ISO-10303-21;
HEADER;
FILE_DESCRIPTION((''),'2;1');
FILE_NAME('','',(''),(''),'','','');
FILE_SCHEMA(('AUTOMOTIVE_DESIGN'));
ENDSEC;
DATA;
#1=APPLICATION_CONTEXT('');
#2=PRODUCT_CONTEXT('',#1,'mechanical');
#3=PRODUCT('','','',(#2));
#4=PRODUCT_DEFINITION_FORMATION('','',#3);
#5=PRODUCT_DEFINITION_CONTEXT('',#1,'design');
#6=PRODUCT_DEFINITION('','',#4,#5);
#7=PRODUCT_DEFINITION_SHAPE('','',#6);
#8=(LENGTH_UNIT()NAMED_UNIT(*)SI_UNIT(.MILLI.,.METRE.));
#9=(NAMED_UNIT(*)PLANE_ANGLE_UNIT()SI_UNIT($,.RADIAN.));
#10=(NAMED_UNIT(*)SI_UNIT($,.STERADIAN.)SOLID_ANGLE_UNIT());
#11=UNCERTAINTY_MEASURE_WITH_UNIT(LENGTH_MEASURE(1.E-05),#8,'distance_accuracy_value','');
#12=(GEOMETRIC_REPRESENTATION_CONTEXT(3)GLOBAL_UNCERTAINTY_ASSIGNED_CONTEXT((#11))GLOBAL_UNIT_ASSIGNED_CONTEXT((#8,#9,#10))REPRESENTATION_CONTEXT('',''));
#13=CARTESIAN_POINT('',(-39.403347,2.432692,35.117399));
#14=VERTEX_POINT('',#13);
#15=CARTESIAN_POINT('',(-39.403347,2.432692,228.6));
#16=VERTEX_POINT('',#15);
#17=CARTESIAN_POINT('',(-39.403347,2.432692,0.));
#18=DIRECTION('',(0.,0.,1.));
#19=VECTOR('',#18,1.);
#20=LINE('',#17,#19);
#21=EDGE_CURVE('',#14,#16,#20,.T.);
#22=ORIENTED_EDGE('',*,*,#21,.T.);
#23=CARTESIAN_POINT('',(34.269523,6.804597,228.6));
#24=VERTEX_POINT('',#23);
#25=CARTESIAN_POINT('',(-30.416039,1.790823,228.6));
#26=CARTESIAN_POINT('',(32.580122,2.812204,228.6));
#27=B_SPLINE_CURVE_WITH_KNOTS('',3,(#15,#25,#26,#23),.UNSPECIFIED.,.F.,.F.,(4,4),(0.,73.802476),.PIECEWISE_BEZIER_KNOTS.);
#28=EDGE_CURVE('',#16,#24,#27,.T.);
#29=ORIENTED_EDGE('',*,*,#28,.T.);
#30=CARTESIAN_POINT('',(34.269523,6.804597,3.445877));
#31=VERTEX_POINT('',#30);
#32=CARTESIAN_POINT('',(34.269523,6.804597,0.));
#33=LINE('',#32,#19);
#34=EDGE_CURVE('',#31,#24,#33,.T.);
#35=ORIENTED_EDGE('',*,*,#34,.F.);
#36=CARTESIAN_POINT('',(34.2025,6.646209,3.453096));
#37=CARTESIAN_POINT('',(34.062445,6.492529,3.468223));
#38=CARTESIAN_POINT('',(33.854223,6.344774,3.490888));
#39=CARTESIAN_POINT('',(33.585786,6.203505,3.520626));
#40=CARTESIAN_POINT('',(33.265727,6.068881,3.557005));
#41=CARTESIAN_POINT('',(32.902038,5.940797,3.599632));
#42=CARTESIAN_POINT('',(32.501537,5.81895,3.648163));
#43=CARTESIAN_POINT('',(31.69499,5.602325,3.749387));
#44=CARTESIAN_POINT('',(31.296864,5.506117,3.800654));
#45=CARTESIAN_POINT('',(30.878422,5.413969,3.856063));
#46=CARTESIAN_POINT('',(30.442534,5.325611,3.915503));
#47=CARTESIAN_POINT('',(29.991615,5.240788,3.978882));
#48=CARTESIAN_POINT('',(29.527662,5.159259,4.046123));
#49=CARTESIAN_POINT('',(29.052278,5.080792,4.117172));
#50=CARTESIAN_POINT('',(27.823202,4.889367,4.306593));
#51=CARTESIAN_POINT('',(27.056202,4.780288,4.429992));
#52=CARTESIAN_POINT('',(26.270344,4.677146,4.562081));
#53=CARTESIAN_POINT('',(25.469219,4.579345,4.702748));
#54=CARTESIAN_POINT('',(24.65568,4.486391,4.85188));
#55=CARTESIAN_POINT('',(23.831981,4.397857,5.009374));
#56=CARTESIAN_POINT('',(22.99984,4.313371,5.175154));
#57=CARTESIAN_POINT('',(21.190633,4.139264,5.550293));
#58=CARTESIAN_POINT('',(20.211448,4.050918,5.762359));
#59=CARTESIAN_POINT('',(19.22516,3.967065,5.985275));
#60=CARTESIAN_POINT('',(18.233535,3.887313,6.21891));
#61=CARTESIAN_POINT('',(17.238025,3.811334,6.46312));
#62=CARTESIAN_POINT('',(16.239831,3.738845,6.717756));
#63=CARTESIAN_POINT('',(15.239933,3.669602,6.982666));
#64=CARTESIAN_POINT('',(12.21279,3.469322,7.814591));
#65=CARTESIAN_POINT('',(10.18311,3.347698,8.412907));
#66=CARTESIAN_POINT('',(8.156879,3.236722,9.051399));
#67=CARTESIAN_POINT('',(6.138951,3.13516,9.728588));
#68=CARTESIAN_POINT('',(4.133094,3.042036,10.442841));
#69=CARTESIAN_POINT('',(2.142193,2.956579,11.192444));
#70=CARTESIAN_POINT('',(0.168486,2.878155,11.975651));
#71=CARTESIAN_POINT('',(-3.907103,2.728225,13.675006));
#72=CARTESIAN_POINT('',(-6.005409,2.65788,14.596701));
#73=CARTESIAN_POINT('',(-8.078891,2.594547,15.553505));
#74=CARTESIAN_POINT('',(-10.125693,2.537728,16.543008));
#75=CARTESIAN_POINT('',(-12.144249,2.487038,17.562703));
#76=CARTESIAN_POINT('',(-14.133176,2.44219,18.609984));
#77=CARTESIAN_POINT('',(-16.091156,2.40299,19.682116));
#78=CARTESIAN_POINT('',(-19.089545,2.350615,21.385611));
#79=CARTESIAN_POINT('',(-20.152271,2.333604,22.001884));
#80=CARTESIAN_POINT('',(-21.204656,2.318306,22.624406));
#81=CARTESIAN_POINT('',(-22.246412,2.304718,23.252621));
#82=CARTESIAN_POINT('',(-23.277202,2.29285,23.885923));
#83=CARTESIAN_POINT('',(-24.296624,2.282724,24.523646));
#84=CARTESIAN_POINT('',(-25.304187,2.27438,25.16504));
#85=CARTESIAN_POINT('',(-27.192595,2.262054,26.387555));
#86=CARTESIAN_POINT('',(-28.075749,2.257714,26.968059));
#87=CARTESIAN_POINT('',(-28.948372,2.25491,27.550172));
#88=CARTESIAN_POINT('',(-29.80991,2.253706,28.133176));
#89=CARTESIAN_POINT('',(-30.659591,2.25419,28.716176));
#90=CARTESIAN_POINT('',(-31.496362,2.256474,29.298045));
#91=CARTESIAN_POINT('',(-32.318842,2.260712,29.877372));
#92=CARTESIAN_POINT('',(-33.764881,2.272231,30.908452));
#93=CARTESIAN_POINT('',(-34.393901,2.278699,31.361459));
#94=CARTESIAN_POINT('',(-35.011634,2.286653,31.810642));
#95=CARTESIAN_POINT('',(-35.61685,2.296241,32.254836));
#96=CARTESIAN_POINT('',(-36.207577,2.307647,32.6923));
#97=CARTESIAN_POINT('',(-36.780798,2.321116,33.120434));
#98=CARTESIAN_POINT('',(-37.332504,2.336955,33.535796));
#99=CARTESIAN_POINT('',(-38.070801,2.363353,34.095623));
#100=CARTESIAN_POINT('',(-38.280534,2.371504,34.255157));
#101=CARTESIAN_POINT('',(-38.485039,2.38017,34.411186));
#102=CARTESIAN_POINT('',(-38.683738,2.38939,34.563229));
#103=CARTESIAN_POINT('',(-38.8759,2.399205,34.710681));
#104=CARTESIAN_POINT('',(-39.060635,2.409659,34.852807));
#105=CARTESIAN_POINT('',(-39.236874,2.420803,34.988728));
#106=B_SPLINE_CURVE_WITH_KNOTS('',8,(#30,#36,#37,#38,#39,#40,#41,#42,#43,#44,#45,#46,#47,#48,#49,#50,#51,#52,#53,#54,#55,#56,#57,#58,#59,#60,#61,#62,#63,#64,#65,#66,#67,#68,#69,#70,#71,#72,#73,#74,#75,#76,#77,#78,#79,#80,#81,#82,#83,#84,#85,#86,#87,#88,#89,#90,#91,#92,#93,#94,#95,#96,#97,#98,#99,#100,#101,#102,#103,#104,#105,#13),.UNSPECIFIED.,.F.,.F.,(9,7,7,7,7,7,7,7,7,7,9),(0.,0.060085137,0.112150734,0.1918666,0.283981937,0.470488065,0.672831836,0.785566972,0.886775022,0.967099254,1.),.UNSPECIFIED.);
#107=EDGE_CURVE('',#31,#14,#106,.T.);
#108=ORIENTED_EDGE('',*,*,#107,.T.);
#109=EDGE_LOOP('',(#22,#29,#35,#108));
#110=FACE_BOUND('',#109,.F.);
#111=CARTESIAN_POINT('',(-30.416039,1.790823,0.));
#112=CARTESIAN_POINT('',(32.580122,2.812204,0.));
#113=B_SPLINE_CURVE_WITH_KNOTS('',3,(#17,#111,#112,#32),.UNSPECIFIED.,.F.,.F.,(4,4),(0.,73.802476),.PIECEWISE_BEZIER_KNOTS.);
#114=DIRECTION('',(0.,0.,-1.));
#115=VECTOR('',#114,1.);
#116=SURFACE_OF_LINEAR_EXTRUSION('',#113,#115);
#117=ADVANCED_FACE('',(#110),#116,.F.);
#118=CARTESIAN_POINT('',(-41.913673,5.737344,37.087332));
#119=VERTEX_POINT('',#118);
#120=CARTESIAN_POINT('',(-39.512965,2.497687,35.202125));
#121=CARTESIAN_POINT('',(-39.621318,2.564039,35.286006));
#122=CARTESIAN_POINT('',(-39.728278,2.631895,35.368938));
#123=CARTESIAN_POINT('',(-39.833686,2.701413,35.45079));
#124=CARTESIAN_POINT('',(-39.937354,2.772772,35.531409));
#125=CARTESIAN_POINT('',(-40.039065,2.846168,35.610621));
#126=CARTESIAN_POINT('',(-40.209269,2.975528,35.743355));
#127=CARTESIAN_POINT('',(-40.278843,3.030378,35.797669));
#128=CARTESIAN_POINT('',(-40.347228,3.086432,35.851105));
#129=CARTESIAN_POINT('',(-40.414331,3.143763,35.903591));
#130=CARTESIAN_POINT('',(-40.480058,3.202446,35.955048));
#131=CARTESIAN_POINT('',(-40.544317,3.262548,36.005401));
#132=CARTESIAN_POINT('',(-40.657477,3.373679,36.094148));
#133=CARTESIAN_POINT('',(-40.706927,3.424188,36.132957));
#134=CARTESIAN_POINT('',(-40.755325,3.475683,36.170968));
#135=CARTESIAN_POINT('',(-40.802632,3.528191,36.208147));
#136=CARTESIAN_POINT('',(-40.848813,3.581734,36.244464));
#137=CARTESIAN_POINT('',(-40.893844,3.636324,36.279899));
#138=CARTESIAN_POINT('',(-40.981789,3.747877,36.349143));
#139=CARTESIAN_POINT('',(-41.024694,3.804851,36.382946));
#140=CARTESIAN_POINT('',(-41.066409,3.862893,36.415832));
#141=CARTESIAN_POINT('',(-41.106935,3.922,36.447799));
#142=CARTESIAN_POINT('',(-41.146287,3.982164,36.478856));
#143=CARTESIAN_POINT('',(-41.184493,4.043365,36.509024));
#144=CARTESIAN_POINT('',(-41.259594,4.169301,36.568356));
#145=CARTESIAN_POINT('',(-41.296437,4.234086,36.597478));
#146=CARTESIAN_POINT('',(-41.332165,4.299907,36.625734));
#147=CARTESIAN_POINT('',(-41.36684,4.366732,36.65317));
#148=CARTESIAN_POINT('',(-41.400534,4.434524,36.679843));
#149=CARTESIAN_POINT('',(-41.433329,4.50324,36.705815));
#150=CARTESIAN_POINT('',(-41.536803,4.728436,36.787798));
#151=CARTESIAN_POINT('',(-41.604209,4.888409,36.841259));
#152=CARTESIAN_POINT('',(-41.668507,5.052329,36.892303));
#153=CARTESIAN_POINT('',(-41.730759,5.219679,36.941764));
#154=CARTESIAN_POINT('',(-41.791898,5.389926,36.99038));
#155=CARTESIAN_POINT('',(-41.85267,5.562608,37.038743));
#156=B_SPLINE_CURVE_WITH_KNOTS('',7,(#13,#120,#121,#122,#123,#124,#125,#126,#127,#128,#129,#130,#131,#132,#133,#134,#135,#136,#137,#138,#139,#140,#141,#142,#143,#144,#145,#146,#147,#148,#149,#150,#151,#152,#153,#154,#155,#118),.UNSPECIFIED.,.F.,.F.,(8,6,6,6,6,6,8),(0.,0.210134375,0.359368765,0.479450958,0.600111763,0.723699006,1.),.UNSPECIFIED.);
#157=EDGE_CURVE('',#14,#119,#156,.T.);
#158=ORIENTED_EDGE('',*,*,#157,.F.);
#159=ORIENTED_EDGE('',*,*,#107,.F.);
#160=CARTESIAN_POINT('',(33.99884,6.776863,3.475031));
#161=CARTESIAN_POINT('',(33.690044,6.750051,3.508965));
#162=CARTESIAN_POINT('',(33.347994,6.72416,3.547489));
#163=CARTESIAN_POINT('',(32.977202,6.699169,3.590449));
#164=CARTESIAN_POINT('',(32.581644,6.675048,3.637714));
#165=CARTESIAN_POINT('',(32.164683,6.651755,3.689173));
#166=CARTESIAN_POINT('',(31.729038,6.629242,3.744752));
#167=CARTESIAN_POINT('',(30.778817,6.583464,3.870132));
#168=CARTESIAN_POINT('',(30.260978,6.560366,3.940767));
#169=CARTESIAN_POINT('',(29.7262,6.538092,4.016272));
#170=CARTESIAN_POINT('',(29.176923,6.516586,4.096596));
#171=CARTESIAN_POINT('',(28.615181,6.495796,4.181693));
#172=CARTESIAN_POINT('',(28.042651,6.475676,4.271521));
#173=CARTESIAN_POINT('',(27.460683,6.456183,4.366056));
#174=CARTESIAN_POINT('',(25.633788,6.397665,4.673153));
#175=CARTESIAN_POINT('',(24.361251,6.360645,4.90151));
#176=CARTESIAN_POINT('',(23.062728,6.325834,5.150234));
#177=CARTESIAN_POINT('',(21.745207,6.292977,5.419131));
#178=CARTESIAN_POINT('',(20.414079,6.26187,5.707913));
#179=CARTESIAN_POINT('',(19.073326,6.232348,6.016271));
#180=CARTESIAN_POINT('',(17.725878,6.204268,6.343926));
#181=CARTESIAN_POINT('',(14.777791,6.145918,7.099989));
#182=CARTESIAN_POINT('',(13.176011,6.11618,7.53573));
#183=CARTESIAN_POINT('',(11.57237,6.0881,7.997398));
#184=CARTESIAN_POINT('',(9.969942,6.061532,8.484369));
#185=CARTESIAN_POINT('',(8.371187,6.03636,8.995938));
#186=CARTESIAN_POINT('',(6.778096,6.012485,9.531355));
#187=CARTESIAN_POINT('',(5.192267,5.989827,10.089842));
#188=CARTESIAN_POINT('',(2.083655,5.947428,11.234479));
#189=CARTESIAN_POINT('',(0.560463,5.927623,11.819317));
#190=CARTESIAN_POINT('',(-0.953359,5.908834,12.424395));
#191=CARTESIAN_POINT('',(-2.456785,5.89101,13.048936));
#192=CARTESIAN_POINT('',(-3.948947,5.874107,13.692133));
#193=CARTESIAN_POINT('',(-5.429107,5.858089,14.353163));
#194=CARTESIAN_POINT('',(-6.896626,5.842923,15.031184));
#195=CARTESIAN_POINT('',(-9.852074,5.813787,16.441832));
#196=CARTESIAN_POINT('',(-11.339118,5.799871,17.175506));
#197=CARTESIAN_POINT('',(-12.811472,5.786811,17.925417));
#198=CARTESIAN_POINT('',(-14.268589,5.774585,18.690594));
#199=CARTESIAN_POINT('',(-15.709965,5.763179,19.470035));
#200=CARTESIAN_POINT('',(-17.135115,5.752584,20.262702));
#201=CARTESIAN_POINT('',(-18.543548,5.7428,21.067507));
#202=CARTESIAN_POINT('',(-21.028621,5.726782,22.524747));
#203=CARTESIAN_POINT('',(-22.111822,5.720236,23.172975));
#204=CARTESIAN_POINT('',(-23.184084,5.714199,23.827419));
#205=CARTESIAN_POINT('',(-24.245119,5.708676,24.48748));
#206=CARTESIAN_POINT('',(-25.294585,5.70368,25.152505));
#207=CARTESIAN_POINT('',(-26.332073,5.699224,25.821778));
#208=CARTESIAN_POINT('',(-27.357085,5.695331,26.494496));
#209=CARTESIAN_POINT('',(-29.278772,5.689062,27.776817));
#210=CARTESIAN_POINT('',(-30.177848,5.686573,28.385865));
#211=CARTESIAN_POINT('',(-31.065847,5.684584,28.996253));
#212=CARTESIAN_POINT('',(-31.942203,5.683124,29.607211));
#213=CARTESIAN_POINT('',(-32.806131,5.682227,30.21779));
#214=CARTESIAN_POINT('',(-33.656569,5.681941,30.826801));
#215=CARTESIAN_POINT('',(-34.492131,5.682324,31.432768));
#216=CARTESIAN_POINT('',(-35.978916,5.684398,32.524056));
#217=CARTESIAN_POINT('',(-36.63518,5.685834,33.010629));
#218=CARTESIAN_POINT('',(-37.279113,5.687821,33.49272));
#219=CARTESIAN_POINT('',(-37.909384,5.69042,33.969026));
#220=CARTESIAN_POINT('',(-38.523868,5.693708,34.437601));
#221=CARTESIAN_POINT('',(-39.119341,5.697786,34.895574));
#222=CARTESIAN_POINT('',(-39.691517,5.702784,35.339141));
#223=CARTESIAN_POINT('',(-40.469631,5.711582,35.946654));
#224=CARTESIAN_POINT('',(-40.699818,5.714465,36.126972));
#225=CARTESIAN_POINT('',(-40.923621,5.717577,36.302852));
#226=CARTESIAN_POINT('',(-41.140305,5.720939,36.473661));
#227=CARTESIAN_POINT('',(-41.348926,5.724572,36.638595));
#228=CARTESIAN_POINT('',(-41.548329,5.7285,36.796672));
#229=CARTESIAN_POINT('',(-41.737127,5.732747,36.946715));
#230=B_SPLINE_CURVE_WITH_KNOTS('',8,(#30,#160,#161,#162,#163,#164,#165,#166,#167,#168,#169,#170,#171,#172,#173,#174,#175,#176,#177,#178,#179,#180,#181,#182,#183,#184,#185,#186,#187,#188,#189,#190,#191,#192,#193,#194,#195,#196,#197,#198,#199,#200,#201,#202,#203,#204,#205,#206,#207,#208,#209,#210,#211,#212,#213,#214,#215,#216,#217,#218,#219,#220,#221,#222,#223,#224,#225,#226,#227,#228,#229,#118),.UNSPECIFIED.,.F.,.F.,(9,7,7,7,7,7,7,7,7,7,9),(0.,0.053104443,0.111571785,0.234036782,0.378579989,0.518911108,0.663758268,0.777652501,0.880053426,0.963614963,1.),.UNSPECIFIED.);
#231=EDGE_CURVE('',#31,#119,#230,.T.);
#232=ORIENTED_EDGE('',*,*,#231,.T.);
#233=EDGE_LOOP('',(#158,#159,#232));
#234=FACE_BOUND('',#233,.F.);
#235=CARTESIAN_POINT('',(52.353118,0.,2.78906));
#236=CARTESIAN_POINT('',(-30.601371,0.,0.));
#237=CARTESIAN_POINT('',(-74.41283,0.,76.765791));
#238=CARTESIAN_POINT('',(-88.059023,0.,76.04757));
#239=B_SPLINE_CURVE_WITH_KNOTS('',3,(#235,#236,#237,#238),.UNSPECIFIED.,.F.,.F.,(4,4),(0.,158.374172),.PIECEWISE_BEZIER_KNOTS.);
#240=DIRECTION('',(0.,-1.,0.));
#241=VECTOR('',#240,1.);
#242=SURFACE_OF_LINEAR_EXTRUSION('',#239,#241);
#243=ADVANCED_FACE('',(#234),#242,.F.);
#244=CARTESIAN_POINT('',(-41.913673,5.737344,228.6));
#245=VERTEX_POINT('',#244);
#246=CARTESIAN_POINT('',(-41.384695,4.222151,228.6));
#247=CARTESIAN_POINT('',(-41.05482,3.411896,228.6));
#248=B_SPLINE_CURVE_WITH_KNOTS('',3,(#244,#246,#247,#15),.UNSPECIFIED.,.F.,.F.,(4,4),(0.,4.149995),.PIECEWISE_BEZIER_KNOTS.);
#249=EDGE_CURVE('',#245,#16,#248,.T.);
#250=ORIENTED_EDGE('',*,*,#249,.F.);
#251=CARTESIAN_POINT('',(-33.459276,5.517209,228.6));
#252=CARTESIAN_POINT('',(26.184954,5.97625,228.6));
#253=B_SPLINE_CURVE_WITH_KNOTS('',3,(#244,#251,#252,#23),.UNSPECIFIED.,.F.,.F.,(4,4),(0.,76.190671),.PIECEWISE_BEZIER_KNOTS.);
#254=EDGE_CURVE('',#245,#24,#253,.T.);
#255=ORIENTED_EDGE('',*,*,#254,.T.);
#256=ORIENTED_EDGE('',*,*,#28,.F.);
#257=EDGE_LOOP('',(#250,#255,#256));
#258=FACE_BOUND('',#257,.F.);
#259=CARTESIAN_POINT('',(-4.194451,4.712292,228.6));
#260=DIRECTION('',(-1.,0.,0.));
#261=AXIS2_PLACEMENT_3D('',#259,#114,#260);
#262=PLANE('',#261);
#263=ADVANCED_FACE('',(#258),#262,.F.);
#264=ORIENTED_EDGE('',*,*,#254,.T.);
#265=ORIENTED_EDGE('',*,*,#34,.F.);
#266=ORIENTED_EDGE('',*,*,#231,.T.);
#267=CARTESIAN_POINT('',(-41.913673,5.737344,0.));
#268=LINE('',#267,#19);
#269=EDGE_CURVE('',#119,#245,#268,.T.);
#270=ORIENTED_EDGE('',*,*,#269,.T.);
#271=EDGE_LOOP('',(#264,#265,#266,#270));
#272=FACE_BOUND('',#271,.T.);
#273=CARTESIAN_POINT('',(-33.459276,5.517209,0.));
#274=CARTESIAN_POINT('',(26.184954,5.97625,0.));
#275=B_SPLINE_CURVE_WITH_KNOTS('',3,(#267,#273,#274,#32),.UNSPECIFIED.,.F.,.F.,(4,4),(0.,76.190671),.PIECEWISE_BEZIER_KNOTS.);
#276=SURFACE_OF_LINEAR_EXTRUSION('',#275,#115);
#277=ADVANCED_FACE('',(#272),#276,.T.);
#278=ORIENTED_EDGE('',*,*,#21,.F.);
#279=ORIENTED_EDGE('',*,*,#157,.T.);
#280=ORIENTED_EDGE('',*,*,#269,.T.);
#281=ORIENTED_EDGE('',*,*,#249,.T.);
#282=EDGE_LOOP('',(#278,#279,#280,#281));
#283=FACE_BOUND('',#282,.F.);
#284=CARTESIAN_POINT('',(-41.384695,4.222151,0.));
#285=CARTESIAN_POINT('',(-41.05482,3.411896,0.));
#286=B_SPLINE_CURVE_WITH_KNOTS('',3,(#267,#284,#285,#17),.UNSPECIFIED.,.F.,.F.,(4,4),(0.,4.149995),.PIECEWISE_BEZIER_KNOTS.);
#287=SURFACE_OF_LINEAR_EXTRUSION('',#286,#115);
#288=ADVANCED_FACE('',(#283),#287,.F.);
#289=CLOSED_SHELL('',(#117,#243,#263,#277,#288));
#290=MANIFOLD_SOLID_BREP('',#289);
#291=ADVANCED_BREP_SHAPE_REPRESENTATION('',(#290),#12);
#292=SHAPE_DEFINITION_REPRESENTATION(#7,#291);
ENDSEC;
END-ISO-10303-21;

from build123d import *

# Parameters (mm, degrees)
F1_DEPTH = 228.6
F3_DEPTH = 18.288


with BuildPart() as f1:
    # F0 (on Top) → F1 (new body)
    with BuildSketch(Plane.XY):
        with BuildLine():
            add(Edge.make_bspline(
                [(-41.913673, 5.737344), (-33.459276, 5.517209), (26.184954, 5.97625), (34.269523, 6.804597)],
                knots=[0, 0, 0, 0, 76.190671, 76.190671, 76.190671, 76.190671], degree=3))
            add(Edge.make_bspline(
                [(-41.913673, 5.737344), (-41.384695, 4.222151), (-41.05482, 3.411896), (-39.403347, 2.432692)],
                knots=[0, 0, 0, 0, 4.149995, 4.149995, 4.149995, 4.149995], degree=3))
            add(Edge.make_bspline(
                [(-39.403347, 2.432692), (-30.416039, 1.790823), (32.580122, 2.812204), (34.269523, 6.804597)],
                knots=[0, 0, 0, 0, 73.802476, 73.802476, 73.802476, 73.802476], degree=3))
        make_face()
    extrude(amount=F1_DEPTH)

    # F2 (on Front) → F3 (cut)
    with BuildSketch(Plane.XZ):
        with BuildLine():
            add(Edge.make_bspline(
                [(-88.059023, 76.04757), (-94.862555, 45.078372), (-111.484175, -73.115654), (-6.149788, -18.574719), (52.353118, 2.78906)],
                knots=[0, 0, 0, 0, 98.755339, 241.463634, 241.463634, 241.463634, 241.463634], degree=3))
            add(Edge.make_bspline(
                [(52.353118, 2.78906), (-30.601371, 0), (-74.41283, 76.765791), (-88.059023, 76.04757)],
                knots=[0, 0, 0, 0, 158.374172, 158.374172, 158.374172, 158.374172], degree=3))
        make_face()
    extrude(amount=-F3_DEPTH, mode=Mode.SUBTRACT)


solid = f1.part
